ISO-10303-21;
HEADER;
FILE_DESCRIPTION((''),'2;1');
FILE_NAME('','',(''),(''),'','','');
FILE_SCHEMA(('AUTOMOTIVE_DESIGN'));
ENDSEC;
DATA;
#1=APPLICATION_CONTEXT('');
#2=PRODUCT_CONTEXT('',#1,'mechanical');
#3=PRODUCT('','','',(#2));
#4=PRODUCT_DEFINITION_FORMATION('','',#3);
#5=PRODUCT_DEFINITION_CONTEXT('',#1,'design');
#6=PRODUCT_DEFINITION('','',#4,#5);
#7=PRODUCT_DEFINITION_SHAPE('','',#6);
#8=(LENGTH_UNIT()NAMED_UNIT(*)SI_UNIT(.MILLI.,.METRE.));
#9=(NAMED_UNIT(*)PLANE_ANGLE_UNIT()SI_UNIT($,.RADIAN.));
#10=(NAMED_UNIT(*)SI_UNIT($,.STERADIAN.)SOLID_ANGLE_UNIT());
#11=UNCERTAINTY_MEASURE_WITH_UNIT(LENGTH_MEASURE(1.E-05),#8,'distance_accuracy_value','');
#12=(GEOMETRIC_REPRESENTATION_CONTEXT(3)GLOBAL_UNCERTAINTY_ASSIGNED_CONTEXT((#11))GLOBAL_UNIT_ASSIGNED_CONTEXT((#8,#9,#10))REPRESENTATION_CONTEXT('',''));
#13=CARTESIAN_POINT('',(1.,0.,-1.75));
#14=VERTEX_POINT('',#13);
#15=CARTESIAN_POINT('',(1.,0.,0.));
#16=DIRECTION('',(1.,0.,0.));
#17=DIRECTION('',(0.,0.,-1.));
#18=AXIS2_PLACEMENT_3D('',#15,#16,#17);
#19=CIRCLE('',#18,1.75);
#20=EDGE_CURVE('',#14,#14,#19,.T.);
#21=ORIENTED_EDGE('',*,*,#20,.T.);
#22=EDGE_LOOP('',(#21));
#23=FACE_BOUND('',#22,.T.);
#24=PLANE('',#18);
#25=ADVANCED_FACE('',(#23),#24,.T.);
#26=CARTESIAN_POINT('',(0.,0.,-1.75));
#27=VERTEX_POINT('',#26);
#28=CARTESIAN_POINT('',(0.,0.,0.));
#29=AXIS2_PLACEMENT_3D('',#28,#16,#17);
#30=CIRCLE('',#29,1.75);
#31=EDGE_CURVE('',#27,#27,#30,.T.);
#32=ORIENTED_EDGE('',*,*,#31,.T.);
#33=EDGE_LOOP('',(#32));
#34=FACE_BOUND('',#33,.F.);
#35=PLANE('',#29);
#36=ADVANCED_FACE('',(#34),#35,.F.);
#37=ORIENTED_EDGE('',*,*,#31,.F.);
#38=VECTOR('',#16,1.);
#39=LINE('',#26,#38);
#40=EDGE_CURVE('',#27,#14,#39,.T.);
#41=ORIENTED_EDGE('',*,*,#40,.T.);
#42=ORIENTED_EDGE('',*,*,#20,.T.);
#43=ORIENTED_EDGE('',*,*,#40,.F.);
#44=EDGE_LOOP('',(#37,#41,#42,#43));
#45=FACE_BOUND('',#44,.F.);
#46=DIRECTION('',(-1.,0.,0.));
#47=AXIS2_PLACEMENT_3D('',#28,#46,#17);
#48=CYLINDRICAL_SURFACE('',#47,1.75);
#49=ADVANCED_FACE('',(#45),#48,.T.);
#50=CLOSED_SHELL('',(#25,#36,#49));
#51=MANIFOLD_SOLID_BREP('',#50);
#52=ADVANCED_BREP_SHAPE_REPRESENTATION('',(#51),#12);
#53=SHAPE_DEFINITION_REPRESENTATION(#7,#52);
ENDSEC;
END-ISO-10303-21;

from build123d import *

# Parameters (mm, degrees)
SKETCH1_R           = 1.75
BOSS_EXTRUDE1_DEPTH = 1


with BuildPart() as part:
    # Sketch1 → Boss-Extrude1 (new body)
    with BuildSketch(Plane(origin=(0, 0, 0), x_dir=(0, 0, -1), z_dir=(1, 0, 0))):
        Circle(SKETCH1_R)
    extrude(amount=BOSS_EXTRUDE1_DEPTH)


solid = part.part
